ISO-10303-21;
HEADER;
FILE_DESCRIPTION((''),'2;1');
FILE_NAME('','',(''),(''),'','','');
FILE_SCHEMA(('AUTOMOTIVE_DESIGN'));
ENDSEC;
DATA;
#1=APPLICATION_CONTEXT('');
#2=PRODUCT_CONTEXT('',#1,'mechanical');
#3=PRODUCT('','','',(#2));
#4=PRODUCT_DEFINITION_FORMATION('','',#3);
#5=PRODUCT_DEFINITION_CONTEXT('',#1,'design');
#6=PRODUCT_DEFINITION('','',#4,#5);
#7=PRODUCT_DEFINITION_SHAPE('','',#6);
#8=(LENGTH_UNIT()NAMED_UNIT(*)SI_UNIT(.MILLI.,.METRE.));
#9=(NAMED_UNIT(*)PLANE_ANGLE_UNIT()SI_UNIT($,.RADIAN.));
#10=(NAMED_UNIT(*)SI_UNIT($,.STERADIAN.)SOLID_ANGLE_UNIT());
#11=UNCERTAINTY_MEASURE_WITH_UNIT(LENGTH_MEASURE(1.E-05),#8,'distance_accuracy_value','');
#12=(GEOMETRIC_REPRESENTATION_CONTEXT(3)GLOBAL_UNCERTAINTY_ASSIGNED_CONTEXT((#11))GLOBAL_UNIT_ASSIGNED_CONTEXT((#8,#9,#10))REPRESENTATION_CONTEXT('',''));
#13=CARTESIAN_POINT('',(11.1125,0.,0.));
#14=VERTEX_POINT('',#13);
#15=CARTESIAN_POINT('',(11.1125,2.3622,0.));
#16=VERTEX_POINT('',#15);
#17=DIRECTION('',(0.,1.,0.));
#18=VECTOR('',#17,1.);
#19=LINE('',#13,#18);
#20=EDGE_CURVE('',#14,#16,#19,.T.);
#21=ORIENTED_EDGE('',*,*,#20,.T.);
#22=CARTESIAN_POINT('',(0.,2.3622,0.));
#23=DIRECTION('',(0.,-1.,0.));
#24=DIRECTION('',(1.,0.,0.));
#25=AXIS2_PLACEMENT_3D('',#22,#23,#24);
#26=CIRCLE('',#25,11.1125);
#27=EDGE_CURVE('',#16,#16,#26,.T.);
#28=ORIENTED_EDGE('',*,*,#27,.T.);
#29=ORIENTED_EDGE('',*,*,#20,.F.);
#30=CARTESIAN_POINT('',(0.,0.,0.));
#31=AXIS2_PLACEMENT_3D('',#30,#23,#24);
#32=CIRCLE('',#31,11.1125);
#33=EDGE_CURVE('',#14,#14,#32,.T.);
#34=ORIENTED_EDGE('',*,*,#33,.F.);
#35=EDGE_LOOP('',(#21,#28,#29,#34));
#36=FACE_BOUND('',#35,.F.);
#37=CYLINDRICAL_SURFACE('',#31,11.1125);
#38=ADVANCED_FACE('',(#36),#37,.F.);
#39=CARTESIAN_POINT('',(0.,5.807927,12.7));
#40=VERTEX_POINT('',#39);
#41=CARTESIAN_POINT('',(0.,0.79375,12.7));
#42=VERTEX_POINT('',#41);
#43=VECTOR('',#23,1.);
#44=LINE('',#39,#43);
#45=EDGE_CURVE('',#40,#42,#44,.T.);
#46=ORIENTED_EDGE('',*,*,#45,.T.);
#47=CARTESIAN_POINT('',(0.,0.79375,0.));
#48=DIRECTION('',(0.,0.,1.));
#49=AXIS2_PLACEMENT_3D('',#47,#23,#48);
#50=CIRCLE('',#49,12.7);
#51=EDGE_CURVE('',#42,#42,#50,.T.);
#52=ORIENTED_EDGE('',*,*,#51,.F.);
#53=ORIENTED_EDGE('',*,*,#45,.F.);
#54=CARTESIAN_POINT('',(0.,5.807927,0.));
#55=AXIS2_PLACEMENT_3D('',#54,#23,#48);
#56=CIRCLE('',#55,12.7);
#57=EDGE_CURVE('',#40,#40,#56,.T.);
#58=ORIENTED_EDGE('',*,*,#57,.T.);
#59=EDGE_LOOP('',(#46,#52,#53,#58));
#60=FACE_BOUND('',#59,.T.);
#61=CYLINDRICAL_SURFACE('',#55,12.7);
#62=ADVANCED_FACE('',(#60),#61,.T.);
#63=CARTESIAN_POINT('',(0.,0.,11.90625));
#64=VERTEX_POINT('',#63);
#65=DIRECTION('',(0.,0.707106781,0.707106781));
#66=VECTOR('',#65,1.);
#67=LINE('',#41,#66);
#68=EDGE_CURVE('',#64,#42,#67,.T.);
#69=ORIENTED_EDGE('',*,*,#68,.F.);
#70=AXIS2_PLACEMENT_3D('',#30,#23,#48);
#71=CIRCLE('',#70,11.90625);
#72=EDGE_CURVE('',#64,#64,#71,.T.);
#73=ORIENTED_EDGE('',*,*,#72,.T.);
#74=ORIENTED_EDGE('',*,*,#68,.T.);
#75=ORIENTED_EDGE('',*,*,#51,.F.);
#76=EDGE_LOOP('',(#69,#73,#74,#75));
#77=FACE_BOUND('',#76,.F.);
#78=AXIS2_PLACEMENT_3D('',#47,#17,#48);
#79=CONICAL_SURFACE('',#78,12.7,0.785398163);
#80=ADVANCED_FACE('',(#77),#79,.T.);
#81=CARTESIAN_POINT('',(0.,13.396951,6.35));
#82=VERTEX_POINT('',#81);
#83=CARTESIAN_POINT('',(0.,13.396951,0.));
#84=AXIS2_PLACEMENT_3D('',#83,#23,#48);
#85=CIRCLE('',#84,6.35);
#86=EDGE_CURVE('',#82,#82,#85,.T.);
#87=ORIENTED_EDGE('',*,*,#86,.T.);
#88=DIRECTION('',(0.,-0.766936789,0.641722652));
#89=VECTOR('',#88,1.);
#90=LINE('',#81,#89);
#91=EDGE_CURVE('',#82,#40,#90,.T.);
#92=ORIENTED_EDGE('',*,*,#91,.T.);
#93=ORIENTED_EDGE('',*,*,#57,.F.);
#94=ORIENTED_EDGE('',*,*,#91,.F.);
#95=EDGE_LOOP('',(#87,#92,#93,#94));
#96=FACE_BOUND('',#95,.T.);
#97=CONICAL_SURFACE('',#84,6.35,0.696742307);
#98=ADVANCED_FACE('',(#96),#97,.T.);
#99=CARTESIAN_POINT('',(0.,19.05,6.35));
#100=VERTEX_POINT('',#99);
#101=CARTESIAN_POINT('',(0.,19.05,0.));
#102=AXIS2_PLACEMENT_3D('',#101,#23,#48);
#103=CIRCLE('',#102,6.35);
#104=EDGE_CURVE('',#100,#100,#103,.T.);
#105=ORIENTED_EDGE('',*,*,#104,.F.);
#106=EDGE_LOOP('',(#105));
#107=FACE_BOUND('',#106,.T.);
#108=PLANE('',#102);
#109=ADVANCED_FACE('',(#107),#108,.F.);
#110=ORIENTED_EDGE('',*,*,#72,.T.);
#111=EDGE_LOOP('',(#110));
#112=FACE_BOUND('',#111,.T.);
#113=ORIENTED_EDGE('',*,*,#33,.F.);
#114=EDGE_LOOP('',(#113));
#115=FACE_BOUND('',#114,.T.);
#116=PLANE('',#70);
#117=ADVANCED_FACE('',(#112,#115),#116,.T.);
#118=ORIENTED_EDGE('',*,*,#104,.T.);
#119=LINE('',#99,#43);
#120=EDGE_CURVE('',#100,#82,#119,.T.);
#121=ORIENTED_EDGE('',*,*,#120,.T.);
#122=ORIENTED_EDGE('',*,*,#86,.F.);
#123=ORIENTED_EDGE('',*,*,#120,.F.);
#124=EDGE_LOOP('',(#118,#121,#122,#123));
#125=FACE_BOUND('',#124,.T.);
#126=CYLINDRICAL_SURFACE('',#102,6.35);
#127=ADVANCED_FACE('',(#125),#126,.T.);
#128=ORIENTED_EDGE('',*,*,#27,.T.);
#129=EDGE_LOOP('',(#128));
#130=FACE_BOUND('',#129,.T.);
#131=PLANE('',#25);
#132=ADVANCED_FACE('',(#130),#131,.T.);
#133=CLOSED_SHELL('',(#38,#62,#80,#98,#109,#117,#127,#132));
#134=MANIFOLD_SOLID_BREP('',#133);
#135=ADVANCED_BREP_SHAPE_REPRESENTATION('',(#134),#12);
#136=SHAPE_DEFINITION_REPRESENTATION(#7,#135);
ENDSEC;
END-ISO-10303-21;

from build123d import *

# Parameters (mm, degrees)
F2_SIZE  = 0.79375
F3_R     = 11.1125
F4_DEPTH = 2.3622


with BuildPart() as f1:
    # F0 (on Right) → F1 (revolve)
    with BuildSketch(Plane.YZ):
        Polygon((0, 12.7), (0, 0), (19.05, 0), (19.05, 6.35), (13.396951, 6.35), (5.807927, 12.7), align=None)
    revolve(axis=Axis((0, 9.525, 0), (0, -1, 0)))

    # F2
    f2_edges = [f1.edges().sort_by_distance(p)[0] for p in [
        (0, 0, -12.7),
    ]]
    chamfer(f2_edges, length=F2_SIZE)

    # F3 (on face) → F4 (cut)
    with BuildSketch(Plane.XZ):
        Circle(F3_R)
    extrude(amount=-F4_DEPTH, mode=Mode.SUBTRACT)


solid = f1.part
